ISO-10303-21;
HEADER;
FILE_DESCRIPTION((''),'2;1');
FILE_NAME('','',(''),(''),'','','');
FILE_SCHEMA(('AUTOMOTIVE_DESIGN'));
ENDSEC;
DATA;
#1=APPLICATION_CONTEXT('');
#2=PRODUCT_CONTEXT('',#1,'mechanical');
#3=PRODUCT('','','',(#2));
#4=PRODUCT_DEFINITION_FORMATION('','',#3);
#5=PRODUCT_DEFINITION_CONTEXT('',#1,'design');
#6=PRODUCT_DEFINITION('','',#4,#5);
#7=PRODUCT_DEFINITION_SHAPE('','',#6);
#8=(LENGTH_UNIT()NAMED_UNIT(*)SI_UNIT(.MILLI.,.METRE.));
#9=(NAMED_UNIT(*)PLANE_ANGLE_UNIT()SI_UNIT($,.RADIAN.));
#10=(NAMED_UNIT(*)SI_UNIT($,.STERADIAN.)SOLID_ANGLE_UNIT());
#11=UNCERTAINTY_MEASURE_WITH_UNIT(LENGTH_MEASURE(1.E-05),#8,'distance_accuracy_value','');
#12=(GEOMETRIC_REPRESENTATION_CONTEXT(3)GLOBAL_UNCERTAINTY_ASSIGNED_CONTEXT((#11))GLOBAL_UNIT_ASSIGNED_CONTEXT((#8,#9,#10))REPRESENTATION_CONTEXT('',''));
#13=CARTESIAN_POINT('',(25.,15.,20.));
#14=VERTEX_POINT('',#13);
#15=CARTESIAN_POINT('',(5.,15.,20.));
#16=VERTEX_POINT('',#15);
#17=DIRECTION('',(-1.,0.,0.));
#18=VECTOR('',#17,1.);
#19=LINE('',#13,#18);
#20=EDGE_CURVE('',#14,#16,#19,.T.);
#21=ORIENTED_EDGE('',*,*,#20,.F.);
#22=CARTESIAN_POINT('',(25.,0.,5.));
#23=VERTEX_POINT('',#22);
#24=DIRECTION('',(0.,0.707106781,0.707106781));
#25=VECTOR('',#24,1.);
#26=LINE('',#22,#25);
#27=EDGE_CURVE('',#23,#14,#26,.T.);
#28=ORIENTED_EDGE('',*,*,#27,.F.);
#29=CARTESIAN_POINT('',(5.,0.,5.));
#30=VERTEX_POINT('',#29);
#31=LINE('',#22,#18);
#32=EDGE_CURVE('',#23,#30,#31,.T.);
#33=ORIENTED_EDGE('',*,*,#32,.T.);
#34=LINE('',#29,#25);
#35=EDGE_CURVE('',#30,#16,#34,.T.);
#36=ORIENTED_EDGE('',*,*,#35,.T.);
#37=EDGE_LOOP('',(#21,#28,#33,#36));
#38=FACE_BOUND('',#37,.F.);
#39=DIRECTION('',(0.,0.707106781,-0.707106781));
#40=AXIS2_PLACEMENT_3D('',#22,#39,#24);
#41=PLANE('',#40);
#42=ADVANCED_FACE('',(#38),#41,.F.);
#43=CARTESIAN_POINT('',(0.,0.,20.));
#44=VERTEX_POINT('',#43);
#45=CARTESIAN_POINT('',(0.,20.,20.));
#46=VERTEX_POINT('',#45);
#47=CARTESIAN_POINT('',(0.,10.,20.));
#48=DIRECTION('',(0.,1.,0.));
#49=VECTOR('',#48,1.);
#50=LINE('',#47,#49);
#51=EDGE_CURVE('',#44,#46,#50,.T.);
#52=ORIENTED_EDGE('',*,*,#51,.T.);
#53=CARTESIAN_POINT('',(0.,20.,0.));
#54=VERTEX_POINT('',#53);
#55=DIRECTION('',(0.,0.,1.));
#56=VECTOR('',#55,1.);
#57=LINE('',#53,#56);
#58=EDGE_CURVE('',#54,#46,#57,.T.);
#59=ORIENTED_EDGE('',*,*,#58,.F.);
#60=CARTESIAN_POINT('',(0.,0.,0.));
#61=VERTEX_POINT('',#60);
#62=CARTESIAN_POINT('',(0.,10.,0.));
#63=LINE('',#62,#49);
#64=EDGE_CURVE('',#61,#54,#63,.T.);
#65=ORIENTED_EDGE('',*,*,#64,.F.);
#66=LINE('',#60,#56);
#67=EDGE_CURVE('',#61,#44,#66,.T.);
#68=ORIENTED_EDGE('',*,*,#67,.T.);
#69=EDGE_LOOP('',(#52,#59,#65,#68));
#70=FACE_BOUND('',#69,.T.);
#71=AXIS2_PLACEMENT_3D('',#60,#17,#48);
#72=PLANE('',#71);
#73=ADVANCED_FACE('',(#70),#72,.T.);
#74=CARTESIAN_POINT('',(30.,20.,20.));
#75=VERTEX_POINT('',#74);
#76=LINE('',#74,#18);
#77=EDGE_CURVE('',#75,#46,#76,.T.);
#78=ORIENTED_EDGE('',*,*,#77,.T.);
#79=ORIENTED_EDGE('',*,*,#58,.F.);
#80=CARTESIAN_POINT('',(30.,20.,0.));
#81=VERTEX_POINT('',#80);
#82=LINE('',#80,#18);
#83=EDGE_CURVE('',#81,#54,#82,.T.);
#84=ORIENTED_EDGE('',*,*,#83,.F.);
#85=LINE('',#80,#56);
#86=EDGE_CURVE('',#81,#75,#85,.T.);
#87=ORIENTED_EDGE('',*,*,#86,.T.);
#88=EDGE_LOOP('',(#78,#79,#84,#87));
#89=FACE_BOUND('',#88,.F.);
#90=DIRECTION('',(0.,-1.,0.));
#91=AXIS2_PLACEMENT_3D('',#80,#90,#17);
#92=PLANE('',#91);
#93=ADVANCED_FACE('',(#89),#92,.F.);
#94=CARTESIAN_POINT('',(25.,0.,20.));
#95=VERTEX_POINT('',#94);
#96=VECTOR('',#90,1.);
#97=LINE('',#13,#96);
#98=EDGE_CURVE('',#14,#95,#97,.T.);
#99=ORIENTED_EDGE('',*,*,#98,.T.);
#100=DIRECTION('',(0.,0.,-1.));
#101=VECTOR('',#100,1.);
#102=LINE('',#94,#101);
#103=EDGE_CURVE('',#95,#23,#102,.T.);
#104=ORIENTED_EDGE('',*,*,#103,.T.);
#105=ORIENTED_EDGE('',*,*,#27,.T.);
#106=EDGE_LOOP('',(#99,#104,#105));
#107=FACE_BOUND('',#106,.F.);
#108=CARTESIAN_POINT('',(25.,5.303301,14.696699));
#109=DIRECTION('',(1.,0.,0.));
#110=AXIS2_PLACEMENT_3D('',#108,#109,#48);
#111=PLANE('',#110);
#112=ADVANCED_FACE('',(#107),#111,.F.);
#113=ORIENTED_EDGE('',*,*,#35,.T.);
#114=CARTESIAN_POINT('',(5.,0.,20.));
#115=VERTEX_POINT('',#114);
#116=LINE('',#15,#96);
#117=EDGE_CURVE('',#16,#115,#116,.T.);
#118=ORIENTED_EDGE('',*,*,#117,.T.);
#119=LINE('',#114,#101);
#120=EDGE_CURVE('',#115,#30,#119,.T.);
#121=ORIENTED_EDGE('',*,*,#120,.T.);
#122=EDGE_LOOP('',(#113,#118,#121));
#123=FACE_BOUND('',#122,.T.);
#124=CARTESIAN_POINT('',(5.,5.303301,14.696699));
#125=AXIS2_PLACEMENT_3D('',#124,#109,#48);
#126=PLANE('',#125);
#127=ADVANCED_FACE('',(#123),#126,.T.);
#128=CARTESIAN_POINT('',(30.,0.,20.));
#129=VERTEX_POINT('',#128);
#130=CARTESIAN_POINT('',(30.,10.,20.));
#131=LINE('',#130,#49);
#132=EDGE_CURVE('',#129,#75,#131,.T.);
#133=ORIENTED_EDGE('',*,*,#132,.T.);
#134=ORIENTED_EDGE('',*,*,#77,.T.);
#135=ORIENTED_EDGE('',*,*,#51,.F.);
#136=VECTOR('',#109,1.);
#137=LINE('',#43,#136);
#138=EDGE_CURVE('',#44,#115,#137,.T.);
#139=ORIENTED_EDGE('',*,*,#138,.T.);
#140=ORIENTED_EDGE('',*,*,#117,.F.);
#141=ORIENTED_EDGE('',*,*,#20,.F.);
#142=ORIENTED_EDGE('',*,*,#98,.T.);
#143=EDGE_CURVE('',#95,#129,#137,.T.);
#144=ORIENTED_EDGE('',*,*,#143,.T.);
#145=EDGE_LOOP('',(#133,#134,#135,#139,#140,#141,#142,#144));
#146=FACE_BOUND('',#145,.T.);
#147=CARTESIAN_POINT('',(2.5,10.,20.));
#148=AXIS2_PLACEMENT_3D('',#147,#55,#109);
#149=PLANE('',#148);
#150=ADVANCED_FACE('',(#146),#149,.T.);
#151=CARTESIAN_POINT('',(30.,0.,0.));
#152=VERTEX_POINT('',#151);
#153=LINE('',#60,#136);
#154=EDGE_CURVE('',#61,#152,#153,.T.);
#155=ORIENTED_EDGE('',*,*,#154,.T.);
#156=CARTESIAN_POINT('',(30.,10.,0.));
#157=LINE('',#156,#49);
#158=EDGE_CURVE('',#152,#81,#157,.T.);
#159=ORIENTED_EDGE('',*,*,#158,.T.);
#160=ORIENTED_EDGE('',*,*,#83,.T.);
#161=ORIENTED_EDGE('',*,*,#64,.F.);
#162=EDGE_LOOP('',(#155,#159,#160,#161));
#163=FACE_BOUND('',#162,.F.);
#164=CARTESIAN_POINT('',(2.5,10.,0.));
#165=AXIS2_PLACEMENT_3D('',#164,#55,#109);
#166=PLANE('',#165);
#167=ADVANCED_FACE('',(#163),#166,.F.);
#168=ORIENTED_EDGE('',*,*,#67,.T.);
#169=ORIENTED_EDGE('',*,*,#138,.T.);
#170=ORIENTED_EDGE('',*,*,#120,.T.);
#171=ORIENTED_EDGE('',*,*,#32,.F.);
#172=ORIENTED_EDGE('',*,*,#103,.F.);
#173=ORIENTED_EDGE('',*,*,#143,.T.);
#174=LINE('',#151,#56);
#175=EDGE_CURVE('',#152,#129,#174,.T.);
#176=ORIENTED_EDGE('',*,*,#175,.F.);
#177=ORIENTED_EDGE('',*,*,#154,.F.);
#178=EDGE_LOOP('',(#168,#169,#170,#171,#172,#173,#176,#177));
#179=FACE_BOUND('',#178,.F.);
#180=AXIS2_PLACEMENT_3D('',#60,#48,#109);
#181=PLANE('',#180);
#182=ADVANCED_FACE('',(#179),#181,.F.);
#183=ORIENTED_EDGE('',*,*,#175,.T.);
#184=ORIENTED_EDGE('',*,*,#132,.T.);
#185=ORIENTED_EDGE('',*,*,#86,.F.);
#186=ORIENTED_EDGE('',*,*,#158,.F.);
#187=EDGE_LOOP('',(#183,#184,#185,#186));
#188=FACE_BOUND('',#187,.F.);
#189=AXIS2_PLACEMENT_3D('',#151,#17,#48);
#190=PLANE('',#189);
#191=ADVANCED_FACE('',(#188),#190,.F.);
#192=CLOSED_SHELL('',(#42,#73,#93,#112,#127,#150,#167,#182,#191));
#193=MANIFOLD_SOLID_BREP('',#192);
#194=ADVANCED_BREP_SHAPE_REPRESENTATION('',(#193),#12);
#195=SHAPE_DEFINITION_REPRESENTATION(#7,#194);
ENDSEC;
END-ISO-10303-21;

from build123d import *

# Parameters (mm, degrees)
F0_W     = 5
F0_H     = 20
F0_W_2   = 20
F1_DEPTH = 20
F3_START = -5
F3_DEPTH = 20


with BuildPart() as f1:
    # F0 (on Top) → F1 (new body)
    with BuildSketch(Plane.XY):
        with Locations((2.5, 10)):
            Rectangle(F0_W, F0_H)
        with Locations((27.5, 10)):
            Rectangle(F0_W, F0_H)
        with Locations((15, 10)):
            Rectangle(F0_W_2, F0_H)
    extrude(amount=F1_DEPTH)

    # F2 (on face) → F3 (cut)
    with BuildSketch(Plane.YZ.offset(30).offset(F3_START)):
        Polygon((0, 5), (15, 20), (0, 20), align=None)
    extrude(amount=-F3_DEPTH, mode=Mode.SUBTRACT)


solid = f1.part
